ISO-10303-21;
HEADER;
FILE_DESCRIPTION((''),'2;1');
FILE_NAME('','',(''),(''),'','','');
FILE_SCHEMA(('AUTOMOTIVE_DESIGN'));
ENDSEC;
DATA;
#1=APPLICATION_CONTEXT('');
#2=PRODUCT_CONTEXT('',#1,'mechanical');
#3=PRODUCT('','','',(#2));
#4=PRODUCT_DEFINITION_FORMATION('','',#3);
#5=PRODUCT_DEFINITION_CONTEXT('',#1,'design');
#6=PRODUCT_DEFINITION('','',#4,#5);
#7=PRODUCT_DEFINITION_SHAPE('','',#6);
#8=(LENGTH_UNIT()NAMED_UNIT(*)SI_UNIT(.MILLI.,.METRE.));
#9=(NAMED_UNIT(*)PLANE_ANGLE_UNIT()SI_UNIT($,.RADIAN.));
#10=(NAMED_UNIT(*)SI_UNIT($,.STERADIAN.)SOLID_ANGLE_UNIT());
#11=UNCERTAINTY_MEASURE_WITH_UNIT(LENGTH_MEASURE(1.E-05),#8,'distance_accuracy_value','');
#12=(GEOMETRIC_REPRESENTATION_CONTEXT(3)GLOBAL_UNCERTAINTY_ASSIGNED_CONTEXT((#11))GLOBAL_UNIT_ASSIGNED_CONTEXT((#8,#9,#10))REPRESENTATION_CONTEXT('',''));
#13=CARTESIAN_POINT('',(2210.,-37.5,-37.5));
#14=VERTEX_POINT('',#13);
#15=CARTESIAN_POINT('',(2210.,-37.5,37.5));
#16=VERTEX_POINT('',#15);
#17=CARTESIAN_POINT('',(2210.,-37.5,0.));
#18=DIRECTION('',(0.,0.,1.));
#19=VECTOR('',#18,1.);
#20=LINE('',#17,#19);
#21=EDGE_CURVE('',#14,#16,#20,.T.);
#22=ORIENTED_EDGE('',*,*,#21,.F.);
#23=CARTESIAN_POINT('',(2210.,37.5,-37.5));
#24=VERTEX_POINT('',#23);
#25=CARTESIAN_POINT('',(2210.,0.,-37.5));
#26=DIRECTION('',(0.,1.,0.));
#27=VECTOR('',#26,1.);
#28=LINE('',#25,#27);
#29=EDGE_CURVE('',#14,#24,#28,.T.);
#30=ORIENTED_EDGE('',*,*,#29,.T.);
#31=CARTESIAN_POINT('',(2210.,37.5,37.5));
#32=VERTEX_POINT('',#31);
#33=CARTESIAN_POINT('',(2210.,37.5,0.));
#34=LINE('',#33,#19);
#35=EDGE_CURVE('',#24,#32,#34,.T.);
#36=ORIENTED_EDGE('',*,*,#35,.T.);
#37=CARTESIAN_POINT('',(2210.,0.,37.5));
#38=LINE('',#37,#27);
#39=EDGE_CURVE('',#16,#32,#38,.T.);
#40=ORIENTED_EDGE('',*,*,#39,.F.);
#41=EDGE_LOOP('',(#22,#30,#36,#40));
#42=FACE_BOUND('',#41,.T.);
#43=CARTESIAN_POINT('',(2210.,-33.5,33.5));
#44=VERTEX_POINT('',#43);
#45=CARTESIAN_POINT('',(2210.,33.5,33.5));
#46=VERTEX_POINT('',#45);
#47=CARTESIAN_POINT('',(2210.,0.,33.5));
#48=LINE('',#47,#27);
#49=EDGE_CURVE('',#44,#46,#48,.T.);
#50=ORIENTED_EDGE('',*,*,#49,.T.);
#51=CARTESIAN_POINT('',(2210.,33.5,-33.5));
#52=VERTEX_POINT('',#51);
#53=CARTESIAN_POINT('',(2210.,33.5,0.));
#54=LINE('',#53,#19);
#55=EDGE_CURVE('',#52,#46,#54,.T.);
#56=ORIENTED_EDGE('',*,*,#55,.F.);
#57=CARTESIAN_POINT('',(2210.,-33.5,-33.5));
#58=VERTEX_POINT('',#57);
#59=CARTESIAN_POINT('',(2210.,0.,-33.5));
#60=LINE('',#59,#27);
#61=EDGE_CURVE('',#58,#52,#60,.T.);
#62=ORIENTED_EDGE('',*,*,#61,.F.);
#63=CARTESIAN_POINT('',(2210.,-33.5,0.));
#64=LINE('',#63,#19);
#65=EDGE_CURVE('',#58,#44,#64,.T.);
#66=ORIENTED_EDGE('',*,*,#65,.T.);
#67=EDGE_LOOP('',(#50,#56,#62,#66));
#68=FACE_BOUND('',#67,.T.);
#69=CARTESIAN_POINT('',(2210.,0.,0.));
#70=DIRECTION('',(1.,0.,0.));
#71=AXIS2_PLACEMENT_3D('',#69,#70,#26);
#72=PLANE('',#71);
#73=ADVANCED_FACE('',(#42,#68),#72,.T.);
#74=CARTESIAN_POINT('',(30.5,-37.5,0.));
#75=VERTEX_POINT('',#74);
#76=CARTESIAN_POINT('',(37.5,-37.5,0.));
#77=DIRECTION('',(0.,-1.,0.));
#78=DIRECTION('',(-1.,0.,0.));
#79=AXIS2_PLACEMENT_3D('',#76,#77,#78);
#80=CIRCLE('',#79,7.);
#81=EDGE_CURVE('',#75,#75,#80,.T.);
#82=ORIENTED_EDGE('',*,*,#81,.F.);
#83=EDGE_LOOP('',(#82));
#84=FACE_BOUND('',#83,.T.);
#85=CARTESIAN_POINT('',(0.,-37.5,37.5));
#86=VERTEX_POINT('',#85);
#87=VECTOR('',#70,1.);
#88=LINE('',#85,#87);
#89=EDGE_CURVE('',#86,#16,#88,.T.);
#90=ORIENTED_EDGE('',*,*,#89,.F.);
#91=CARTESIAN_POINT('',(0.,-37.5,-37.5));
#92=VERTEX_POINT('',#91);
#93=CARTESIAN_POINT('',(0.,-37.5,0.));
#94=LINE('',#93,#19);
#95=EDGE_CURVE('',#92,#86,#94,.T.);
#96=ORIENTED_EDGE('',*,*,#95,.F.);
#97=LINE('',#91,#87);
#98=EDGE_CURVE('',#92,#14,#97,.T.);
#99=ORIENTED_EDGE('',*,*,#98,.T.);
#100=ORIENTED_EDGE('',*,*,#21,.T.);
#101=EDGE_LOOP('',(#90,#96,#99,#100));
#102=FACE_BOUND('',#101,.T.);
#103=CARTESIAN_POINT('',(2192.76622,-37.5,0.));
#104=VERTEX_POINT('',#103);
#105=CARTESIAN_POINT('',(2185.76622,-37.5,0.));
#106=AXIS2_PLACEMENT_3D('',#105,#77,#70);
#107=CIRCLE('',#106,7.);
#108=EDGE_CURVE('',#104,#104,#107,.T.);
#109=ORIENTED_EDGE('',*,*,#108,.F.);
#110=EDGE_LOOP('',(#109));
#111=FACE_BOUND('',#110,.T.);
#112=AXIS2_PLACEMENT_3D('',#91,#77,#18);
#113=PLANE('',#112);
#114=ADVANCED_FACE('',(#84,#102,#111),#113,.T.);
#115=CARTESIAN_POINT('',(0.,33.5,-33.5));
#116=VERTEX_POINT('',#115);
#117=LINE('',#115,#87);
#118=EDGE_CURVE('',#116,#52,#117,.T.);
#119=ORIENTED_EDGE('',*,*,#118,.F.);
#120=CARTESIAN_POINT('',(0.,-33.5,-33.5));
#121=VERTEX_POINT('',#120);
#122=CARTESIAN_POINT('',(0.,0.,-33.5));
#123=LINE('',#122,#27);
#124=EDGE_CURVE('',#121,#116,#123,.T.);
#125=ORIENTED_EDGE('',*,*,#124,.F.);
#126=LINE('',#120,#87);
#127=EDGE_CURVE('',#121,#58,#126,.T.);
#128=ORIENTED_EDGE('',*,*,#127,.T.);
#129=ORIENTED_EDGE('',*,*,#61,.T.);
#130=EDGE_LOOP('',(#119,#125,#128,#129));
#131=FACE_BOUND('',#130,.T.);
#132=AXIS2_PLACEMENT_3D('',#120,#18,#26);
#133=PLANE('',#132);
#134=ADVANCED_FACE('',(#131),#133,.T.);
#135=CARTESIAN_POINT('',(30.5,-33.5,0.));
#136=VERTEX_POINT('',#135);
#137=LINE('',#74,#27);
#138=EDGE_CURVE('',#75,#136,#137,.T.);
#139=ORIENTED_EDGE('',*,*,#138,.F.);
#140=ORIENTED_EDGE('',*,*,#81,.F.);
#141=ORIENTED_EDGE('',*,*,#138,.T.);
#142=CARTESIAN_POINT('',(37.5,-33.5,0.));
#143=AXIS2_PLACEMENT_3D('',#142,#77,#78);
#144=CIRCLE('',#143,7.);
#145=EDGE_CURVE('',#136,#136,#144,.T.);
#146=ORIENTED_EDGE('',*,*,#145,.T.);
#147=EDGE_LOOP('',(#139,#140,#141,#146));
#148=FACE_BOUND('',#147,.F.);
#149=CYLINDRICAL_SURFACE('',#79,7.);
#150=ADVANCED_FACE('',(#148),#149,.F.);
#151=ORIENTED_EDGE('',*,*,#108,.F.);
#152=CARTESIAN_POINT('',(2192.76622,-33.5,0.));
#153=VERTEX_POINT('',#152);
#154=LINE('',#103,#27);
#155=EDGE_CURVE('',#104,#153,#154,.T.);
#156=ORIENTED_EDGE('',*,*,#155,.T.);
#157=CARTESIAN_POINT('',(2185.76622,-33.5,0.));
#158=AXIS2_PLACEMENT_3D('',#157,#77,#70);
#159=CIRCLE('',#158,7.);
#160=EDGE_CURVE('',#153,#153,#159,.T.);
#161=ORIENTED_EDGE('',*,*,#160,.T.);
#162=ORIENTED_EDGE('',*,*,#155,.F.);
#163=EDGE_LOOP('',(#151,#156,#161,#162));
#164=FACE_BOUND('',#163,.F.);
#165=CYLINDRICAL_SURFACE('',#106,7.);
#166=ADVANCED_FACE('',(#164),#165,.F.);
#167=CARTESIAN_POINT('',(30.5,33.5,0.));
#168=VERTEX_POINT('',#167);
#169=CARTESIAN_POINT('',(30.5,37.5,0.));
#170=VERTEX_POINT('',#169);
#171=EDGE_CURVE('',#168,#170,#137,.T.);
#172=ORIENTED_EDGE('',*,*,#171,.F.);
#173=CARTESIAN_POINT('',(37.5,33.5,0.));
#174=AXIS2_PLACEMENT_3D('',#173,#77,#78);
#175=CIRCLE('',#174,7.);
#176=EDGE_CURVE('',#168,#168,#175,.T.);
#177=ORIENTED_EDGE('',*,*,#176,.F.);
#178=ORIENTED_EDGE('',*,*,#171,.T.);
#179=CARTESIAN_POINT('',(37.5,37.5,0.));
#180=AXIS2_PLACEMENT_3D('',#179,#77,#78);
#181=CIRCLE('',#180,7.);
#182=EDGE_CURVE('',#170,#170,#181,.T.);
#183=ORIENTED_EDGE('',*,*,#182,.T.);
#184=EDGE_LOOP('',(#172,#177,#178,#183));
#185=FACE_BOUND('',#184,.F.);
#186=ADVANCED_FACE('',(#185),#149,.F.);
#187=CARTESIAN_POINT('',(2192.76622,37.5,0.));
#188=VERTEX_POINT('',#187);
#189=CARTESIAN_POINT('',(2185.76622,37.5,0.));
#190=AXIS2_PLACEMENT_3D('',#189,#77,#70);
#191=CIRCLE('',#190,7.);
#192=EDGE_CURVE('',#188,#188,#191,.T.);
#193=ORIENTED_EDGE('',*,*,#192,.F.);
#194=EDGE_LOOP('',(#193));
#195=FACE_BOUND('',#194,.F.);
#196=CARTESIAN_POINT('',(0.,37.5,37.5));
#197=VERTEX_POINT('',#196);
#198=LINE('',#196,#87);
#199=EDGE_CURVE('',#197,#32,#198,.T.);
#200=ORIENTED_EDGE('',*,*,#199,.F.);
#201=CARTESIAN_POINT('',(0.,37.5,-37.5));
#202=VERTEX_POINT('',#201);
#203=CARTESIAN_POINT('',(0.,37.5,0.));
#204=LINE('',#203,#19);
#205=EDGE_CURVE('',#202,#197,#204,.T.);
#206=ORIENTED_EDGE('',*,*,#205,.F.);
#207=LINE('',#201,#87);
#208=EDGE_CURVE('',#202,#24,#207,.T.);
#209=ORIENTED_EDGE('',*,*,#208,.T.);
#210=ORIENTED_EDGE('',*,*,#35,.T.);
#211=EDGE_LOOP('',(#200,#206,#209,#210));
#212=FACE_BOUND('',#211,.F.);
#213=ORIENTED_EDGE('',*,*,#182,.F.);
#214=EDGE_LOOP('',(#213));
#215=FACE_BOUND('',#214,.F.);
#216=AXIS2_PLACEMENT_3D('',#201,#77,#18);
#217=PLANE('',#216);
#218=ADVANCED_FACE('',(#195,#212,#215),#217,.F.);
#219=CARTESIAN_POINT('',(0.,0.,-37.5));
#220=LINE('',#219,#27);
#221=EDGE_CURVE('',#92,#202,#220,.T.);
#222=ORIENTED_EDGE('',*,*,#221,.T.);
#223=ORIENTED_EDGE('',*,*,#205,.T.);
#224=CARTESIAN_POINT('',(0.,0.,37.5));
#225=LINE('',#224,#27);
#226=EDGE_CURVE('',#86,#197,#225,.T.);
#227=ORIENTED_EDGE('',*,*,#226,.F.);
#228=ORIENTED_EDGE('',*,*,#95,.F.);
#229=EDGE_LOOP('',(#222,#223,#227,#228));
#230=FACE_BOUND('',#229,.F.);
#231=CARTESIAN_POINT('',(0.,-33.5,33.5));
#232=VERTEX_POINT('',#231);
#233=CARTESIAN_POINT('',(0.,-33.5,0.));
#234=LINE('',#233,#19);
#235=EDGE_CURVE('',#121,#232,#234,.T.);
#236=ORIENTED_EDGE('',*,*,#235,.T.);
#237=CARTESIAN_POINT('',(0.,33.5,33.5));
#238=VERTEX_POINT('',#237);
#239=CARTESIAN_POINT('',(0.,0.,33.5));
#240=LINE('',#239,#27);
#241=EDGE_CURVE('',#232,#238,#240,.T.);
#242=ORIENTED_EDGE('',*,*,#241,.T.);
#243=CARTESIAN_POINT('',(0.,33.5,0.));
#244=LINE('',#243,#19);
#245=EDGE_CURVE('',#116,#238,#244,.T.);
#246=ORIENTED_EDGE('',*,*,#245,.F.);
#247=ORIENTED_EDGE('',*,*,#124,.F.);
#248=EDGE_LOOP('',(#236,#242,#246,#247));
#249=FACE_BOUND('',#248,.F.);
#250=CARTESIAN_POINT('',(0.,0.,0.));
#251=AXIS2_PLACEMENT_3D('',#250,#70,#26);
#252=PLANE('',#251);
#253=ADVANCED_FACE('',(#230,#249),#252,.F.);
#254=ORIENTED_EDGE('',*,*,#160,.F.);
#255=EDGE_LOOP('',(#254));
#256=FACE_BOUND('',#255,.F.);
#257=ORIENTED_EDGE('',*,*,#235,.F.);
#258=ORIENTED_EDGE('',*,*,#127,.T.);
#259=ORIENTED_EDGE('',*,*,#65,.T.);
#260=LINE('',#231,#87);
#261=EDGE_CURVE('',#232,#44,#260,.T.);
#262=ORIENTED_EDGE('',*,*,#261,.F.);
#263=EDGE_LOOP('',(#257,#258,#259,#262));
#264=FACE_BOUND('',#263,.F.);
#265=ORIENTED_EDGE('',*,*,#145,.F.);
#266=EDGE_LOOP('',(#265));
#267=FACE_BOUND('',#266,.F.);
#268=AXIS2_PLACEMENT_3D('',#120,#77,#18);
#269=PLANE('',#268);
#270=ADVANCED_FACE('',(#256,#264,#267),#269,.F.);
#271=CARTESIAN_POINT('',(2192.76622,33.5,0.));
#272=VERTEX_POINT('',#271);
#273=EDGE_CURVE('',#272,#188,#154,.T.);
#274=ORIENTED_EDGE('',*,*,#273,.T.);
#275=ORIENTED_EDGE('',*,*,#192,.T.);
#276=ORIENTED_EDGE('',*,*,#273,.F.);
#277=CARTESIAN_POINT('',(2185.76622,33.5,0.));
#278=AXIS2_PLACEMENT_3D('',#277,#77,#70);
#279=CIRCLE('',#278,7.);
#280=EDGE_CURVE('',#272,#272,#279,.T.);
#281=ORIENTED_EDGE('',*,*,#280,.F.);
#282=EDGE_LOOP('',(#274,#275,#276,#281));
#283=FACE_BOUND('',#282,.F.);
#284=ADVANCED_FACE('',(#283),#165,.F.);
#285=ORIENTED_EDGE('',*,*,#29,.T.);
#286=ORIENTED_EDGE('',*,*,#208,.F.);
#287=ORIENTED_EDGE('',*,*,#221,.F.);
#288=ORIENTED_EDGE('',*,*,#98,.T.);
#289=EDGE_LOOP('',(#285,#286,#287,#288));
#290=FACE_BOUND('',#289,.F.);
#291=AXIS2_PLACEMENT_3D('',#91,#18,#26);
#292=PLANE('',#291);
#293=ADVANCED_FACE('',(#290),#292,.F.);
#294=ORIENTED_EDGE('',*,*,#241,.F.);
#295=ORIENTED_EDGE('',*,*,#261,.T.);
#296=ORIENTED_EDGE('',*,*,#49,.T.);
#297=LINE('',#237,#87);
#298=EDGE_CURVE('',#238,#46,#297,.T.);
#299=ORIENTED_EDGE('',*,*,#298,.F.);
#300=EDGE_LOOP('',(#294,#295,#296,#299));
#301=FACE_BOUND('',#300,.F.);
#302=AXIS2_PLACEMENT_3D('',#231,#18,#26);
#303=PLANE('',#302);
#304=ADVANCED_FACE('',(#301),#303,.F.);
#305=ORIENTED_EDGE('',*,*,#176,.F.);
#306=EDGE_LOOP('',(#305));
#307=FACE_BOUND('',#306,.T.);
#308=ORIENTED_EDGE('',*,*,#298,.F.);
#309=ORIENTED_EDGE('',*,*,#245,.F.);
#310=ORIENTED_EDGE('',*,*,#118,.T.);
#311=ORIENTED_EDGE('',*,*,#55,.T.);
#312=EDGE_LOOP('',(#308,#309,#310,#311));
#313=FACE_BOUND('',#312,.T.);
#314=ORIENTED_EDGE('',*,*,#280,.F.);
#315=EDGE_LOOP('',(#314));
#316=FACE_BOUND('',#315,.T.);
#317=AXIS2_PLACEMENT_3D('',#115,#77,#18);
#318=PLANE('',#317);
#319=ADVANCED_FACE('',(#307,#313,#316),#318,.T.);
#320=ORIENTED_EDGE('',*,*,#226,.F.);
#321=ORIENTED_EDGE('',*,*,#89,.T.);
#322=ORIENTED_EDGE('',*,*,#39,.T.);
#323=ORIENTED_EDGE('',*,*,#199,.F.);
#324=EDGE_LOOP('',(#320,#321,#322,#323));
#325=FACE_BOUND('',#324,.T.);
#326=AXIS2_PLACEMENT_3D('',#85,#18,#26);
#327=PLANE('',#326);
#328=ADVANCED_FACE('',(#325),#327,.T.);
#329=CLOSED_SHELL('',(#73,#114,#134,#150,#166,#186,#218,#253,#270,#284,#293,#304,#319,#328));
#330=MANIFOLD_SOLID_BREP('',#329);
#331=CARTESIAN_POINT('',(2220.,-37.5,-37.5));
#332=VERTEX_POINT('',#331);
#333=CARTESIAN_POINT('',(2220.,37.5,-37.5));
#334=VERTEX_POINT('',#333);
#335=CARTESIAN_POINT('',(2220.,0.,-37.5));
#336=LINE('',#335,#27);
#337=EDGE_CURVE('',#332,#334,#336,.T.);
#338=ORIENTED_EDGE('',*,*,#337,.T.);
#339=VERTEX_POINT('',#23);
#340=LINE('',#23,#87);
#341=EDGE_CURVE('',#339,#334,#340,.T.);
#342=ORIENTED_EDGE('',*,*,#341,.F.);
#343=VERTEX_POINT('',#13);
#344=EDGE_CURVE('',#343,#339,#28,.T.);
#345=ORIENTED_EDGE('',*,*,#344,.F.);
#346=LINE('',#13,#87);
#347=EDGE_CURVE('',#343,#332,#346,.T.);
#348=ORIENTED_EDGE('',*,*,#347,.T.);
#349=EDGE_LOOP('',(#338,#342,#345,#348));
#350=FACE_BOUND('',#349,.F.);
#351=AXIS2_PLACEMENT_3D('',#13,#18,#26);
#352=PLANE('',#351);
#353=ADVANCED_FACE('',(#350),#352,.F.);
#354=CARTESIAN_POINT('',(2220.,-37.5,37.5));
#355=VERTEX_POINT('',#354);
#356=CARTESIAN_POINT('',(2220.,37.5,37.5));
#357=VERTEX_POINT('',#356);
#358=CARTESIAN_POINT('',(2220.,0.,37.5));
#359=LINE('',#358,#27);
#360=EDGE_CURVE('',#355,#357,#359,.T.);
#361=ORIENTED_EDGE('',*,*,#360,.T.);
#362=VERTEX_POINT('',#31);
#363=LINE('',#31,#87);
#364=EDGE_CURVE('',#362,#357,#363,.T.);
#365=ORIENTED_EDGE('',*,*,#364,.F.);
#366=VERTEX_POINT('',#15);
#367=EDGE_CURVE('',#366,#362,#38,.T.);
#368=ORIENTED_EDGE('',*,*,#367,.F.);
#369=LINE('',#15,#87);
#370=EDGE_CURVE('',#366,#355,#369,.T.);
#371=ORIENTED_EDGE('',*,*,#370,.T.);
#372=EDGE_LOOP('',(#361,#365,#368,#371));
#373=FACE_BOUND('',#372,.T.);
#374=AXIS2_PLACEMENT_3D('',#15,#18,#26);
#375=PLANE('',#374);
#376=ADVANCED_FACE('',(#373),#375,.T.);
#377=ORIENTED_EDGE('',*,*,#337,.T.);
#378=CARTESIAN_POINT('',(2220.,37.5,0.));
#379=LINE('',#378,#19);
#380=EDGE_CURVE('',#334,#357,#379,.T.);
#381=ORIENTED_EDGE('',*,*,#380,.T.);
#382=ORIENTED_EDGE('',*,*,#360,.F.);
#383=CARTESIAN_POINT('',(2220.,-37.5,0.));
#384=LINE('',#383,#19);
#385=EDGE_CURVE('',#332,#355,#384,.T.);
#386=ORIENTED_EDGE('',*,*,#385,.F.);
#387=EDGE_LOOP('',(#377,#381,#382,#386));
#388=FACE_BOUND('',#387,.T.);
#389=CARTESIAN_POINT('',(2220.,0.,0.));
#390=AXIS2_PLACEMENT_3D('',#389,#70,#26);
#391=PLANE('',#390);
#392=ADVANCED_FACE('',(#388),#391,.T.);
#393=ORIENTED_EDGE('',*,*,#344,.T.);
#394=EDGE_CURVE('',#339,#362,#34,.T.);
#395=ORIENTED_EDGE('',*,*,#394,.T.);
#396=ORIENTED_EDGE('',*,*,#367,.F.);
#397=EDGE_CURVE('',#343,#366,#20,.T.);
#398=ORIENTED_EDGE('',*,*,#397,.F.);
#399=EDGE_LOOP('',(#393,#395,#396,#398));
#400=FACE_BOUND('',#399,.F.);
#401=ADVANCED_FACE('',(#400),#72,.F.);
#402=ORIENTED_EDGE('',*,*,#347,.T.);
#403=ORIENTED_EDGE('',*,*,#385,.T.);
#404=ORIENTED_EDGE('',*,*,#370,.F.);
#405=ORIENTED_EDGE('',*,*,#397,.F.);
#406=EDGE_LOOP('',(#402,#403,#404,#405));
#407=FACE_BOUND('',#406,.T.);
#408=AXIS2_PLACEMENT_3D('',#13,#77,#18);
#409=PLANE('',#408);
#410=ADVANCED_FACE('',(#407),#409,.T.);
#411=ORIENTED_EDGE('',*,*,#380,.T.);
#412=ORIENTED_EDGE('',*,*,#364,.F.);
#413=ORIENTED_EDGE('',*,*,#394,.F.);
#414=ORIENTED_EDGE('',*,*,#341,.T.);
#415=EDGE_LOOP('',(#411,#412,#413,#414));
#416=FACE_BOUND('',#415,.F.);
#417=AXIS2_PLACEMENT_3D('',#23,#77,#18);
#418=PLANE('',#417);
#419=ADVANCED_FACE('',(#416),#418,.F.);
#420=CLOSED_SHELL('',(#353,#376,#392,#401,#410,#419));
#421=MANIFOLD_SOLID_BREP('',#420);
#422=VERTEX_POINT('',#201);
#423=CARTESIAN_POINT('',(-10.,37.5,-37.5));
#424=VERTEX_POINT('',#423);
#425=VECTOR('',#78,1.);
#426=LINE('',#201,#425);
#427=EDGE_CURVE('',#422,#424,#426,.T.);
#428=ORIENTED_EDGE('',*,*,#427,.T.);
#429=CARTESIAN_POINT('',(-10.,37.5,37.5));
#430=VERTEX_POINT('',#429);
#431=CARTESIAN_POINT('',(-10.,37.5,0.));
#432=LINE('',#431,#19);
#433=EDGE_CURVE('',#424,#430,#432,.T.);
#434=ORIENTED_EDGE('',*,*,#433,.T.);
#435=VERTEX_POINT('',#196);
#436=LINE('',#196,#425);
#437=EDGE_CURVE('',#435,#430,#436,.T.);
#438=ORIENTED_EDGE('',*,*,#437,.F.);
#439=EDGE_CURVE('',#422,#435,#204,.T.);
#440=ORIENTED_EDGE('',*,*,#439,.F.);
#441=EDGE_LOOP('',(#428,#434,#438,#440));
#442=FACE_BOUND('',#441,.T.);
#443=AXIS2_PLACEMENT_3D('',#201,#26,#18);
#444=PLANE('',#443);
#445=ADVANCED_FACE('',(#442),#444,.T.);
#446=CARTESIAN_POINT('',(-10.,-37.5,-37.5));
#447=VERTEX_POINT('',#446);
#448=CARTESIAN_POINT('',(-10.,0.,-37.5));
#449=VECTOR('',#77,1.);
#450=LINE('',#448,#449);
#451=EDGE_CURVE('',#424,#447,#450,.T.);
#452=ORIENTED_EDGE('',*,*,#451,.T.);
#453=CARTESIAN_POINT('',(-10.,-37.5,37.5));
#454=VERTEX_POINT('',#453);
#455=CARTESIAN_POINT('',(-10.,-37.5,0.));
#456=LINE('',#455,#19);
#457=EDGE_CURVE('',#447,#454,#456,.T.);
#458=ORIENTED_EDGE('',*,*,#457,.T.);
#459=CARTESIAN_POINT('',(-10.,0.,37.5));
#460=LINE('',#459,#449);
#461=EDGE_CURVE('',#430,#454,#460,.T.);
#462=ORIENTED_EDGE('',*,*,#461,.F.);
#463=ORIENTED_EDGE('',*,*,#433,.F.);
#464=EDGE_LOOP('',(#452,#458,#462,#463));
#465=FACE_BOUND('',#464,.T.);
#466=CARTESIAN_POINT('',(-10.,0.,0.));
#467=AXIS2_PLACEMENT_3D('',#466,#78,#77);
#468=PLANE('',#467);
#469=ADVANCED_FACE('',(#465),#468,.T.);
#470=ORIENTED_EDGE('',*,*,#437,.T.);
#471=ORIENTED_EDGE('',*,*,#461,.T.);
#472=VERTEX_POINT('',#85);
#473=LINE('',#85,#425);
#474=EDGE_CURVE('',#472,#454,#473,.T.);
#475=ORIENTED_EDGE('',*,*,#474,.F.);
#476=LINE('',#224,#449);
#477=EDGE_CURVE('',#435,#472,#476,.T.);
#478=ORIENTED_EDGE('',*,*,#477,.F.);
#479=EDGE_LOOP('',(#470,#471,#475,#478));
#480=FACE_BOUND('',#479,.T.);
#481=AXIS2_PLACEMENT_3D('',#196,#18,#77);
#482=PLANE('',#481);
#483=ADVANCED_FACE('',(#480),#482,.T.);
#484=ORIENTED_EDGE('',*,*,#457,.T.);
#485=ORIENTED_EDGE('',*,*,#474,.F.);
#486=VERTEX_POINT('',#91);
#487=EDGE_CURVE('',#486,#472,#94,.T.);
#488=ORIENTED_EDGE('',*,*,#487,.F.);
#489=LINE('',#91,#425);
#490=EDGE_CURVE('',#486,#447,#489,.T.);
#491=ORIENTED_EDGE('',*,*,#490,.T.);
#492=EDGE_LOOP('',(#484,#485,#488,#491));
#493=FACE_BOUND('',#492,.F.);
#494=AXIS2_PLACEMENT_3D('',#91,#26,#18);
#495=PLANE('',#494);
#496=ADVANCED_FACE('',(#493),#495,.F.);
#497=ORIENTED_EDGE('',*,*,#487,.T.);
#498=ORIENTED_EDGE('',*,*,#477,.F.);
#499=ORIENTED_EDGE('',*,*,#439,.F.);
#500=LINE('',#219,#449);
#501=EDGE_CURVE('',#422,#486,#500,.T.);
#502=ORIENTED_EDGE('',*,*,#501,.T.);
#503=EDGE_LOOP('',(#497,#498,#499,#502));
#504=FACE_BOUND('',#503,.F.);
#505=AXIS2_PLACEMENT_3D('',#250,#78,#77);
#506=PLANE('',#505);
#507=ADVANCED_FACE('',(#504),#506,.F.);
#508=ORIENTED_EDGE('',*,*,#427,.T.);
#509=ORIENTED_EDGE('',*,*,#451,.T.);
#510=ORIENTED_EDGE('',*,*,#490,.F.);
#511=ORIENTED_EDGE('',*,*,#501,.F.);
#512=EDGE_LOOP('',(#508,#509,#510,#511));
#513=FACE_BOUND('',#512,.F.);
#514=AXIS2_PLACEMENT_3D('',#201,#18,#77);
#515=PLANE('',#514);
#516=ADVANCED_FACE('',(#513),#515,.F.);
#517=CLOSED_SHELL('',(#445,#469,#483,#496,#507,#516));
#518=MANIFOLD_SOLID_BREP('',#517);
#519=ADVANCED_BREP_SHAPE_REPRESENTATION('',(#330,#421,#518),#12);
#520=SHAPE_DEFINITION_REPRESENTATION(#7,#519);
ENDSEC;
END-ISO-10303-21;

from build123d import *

# Parameters (mm, degrees)
F0_W     = 75
F0_H     = 75
F0_W_2   = 67
F0_H_2   = 67
F1_DEPTH = 2210
F2_W     = 75
F2_H     = 75
F3_DEPTH = 10
F4_W     = 75
F4_H     = 75
F5_DEPTH = 10
F6_R     = 7
F7_DEPTH = 75


with BuildPart() as f1:
    # F0 (on Right) → F1 (new body)
    with BuildSketch(Plane.YZ):
        Rectangle(F0_W, F0_H)
        Rectangle(F0_W_2, F0_H_2, mode=Mode.SUBTRACT)
    extrude(amount=F1_DEPTH)

    # F6 (on face) → F7 (cut)
    with BuildSketch(Plane.XZ.offset(37.5)):
        with BuildLine():
            ThreePointArc((44.5, 0), (37.5, 7), (30.5, 0))
            ThreePointArc((30.5, 0), (37.5, -7), (44.5, 0))
        make_face()
        with Locations((2185.76622, 0)):
            Circle(F6_R)
    extrude(amount=-F7_DEPTH, mode=Mode.SUBTRACT)


with BuildPart() as f3:
    # F2 (on face) → F3 (new body)
    with BuildSketch(Plane.YZ.offset(2210)):
        Rectangle(F2_W, F2_H)
    extrude(amount=F3_DEPTH)


with BuildPart() as f5:
    # F4 (on face) → F5 (new body)
    with BuildSketch(Plane(origin=(0, 0, 0), x_dir=(0, -1, 0), z_dir=(-1, 0, 0))):
        Rectangle(F4_W, F4_H)
    extrude(amount=F5_DEPTH)


solid = Compound([f1.part, f3.part, f5.part])
